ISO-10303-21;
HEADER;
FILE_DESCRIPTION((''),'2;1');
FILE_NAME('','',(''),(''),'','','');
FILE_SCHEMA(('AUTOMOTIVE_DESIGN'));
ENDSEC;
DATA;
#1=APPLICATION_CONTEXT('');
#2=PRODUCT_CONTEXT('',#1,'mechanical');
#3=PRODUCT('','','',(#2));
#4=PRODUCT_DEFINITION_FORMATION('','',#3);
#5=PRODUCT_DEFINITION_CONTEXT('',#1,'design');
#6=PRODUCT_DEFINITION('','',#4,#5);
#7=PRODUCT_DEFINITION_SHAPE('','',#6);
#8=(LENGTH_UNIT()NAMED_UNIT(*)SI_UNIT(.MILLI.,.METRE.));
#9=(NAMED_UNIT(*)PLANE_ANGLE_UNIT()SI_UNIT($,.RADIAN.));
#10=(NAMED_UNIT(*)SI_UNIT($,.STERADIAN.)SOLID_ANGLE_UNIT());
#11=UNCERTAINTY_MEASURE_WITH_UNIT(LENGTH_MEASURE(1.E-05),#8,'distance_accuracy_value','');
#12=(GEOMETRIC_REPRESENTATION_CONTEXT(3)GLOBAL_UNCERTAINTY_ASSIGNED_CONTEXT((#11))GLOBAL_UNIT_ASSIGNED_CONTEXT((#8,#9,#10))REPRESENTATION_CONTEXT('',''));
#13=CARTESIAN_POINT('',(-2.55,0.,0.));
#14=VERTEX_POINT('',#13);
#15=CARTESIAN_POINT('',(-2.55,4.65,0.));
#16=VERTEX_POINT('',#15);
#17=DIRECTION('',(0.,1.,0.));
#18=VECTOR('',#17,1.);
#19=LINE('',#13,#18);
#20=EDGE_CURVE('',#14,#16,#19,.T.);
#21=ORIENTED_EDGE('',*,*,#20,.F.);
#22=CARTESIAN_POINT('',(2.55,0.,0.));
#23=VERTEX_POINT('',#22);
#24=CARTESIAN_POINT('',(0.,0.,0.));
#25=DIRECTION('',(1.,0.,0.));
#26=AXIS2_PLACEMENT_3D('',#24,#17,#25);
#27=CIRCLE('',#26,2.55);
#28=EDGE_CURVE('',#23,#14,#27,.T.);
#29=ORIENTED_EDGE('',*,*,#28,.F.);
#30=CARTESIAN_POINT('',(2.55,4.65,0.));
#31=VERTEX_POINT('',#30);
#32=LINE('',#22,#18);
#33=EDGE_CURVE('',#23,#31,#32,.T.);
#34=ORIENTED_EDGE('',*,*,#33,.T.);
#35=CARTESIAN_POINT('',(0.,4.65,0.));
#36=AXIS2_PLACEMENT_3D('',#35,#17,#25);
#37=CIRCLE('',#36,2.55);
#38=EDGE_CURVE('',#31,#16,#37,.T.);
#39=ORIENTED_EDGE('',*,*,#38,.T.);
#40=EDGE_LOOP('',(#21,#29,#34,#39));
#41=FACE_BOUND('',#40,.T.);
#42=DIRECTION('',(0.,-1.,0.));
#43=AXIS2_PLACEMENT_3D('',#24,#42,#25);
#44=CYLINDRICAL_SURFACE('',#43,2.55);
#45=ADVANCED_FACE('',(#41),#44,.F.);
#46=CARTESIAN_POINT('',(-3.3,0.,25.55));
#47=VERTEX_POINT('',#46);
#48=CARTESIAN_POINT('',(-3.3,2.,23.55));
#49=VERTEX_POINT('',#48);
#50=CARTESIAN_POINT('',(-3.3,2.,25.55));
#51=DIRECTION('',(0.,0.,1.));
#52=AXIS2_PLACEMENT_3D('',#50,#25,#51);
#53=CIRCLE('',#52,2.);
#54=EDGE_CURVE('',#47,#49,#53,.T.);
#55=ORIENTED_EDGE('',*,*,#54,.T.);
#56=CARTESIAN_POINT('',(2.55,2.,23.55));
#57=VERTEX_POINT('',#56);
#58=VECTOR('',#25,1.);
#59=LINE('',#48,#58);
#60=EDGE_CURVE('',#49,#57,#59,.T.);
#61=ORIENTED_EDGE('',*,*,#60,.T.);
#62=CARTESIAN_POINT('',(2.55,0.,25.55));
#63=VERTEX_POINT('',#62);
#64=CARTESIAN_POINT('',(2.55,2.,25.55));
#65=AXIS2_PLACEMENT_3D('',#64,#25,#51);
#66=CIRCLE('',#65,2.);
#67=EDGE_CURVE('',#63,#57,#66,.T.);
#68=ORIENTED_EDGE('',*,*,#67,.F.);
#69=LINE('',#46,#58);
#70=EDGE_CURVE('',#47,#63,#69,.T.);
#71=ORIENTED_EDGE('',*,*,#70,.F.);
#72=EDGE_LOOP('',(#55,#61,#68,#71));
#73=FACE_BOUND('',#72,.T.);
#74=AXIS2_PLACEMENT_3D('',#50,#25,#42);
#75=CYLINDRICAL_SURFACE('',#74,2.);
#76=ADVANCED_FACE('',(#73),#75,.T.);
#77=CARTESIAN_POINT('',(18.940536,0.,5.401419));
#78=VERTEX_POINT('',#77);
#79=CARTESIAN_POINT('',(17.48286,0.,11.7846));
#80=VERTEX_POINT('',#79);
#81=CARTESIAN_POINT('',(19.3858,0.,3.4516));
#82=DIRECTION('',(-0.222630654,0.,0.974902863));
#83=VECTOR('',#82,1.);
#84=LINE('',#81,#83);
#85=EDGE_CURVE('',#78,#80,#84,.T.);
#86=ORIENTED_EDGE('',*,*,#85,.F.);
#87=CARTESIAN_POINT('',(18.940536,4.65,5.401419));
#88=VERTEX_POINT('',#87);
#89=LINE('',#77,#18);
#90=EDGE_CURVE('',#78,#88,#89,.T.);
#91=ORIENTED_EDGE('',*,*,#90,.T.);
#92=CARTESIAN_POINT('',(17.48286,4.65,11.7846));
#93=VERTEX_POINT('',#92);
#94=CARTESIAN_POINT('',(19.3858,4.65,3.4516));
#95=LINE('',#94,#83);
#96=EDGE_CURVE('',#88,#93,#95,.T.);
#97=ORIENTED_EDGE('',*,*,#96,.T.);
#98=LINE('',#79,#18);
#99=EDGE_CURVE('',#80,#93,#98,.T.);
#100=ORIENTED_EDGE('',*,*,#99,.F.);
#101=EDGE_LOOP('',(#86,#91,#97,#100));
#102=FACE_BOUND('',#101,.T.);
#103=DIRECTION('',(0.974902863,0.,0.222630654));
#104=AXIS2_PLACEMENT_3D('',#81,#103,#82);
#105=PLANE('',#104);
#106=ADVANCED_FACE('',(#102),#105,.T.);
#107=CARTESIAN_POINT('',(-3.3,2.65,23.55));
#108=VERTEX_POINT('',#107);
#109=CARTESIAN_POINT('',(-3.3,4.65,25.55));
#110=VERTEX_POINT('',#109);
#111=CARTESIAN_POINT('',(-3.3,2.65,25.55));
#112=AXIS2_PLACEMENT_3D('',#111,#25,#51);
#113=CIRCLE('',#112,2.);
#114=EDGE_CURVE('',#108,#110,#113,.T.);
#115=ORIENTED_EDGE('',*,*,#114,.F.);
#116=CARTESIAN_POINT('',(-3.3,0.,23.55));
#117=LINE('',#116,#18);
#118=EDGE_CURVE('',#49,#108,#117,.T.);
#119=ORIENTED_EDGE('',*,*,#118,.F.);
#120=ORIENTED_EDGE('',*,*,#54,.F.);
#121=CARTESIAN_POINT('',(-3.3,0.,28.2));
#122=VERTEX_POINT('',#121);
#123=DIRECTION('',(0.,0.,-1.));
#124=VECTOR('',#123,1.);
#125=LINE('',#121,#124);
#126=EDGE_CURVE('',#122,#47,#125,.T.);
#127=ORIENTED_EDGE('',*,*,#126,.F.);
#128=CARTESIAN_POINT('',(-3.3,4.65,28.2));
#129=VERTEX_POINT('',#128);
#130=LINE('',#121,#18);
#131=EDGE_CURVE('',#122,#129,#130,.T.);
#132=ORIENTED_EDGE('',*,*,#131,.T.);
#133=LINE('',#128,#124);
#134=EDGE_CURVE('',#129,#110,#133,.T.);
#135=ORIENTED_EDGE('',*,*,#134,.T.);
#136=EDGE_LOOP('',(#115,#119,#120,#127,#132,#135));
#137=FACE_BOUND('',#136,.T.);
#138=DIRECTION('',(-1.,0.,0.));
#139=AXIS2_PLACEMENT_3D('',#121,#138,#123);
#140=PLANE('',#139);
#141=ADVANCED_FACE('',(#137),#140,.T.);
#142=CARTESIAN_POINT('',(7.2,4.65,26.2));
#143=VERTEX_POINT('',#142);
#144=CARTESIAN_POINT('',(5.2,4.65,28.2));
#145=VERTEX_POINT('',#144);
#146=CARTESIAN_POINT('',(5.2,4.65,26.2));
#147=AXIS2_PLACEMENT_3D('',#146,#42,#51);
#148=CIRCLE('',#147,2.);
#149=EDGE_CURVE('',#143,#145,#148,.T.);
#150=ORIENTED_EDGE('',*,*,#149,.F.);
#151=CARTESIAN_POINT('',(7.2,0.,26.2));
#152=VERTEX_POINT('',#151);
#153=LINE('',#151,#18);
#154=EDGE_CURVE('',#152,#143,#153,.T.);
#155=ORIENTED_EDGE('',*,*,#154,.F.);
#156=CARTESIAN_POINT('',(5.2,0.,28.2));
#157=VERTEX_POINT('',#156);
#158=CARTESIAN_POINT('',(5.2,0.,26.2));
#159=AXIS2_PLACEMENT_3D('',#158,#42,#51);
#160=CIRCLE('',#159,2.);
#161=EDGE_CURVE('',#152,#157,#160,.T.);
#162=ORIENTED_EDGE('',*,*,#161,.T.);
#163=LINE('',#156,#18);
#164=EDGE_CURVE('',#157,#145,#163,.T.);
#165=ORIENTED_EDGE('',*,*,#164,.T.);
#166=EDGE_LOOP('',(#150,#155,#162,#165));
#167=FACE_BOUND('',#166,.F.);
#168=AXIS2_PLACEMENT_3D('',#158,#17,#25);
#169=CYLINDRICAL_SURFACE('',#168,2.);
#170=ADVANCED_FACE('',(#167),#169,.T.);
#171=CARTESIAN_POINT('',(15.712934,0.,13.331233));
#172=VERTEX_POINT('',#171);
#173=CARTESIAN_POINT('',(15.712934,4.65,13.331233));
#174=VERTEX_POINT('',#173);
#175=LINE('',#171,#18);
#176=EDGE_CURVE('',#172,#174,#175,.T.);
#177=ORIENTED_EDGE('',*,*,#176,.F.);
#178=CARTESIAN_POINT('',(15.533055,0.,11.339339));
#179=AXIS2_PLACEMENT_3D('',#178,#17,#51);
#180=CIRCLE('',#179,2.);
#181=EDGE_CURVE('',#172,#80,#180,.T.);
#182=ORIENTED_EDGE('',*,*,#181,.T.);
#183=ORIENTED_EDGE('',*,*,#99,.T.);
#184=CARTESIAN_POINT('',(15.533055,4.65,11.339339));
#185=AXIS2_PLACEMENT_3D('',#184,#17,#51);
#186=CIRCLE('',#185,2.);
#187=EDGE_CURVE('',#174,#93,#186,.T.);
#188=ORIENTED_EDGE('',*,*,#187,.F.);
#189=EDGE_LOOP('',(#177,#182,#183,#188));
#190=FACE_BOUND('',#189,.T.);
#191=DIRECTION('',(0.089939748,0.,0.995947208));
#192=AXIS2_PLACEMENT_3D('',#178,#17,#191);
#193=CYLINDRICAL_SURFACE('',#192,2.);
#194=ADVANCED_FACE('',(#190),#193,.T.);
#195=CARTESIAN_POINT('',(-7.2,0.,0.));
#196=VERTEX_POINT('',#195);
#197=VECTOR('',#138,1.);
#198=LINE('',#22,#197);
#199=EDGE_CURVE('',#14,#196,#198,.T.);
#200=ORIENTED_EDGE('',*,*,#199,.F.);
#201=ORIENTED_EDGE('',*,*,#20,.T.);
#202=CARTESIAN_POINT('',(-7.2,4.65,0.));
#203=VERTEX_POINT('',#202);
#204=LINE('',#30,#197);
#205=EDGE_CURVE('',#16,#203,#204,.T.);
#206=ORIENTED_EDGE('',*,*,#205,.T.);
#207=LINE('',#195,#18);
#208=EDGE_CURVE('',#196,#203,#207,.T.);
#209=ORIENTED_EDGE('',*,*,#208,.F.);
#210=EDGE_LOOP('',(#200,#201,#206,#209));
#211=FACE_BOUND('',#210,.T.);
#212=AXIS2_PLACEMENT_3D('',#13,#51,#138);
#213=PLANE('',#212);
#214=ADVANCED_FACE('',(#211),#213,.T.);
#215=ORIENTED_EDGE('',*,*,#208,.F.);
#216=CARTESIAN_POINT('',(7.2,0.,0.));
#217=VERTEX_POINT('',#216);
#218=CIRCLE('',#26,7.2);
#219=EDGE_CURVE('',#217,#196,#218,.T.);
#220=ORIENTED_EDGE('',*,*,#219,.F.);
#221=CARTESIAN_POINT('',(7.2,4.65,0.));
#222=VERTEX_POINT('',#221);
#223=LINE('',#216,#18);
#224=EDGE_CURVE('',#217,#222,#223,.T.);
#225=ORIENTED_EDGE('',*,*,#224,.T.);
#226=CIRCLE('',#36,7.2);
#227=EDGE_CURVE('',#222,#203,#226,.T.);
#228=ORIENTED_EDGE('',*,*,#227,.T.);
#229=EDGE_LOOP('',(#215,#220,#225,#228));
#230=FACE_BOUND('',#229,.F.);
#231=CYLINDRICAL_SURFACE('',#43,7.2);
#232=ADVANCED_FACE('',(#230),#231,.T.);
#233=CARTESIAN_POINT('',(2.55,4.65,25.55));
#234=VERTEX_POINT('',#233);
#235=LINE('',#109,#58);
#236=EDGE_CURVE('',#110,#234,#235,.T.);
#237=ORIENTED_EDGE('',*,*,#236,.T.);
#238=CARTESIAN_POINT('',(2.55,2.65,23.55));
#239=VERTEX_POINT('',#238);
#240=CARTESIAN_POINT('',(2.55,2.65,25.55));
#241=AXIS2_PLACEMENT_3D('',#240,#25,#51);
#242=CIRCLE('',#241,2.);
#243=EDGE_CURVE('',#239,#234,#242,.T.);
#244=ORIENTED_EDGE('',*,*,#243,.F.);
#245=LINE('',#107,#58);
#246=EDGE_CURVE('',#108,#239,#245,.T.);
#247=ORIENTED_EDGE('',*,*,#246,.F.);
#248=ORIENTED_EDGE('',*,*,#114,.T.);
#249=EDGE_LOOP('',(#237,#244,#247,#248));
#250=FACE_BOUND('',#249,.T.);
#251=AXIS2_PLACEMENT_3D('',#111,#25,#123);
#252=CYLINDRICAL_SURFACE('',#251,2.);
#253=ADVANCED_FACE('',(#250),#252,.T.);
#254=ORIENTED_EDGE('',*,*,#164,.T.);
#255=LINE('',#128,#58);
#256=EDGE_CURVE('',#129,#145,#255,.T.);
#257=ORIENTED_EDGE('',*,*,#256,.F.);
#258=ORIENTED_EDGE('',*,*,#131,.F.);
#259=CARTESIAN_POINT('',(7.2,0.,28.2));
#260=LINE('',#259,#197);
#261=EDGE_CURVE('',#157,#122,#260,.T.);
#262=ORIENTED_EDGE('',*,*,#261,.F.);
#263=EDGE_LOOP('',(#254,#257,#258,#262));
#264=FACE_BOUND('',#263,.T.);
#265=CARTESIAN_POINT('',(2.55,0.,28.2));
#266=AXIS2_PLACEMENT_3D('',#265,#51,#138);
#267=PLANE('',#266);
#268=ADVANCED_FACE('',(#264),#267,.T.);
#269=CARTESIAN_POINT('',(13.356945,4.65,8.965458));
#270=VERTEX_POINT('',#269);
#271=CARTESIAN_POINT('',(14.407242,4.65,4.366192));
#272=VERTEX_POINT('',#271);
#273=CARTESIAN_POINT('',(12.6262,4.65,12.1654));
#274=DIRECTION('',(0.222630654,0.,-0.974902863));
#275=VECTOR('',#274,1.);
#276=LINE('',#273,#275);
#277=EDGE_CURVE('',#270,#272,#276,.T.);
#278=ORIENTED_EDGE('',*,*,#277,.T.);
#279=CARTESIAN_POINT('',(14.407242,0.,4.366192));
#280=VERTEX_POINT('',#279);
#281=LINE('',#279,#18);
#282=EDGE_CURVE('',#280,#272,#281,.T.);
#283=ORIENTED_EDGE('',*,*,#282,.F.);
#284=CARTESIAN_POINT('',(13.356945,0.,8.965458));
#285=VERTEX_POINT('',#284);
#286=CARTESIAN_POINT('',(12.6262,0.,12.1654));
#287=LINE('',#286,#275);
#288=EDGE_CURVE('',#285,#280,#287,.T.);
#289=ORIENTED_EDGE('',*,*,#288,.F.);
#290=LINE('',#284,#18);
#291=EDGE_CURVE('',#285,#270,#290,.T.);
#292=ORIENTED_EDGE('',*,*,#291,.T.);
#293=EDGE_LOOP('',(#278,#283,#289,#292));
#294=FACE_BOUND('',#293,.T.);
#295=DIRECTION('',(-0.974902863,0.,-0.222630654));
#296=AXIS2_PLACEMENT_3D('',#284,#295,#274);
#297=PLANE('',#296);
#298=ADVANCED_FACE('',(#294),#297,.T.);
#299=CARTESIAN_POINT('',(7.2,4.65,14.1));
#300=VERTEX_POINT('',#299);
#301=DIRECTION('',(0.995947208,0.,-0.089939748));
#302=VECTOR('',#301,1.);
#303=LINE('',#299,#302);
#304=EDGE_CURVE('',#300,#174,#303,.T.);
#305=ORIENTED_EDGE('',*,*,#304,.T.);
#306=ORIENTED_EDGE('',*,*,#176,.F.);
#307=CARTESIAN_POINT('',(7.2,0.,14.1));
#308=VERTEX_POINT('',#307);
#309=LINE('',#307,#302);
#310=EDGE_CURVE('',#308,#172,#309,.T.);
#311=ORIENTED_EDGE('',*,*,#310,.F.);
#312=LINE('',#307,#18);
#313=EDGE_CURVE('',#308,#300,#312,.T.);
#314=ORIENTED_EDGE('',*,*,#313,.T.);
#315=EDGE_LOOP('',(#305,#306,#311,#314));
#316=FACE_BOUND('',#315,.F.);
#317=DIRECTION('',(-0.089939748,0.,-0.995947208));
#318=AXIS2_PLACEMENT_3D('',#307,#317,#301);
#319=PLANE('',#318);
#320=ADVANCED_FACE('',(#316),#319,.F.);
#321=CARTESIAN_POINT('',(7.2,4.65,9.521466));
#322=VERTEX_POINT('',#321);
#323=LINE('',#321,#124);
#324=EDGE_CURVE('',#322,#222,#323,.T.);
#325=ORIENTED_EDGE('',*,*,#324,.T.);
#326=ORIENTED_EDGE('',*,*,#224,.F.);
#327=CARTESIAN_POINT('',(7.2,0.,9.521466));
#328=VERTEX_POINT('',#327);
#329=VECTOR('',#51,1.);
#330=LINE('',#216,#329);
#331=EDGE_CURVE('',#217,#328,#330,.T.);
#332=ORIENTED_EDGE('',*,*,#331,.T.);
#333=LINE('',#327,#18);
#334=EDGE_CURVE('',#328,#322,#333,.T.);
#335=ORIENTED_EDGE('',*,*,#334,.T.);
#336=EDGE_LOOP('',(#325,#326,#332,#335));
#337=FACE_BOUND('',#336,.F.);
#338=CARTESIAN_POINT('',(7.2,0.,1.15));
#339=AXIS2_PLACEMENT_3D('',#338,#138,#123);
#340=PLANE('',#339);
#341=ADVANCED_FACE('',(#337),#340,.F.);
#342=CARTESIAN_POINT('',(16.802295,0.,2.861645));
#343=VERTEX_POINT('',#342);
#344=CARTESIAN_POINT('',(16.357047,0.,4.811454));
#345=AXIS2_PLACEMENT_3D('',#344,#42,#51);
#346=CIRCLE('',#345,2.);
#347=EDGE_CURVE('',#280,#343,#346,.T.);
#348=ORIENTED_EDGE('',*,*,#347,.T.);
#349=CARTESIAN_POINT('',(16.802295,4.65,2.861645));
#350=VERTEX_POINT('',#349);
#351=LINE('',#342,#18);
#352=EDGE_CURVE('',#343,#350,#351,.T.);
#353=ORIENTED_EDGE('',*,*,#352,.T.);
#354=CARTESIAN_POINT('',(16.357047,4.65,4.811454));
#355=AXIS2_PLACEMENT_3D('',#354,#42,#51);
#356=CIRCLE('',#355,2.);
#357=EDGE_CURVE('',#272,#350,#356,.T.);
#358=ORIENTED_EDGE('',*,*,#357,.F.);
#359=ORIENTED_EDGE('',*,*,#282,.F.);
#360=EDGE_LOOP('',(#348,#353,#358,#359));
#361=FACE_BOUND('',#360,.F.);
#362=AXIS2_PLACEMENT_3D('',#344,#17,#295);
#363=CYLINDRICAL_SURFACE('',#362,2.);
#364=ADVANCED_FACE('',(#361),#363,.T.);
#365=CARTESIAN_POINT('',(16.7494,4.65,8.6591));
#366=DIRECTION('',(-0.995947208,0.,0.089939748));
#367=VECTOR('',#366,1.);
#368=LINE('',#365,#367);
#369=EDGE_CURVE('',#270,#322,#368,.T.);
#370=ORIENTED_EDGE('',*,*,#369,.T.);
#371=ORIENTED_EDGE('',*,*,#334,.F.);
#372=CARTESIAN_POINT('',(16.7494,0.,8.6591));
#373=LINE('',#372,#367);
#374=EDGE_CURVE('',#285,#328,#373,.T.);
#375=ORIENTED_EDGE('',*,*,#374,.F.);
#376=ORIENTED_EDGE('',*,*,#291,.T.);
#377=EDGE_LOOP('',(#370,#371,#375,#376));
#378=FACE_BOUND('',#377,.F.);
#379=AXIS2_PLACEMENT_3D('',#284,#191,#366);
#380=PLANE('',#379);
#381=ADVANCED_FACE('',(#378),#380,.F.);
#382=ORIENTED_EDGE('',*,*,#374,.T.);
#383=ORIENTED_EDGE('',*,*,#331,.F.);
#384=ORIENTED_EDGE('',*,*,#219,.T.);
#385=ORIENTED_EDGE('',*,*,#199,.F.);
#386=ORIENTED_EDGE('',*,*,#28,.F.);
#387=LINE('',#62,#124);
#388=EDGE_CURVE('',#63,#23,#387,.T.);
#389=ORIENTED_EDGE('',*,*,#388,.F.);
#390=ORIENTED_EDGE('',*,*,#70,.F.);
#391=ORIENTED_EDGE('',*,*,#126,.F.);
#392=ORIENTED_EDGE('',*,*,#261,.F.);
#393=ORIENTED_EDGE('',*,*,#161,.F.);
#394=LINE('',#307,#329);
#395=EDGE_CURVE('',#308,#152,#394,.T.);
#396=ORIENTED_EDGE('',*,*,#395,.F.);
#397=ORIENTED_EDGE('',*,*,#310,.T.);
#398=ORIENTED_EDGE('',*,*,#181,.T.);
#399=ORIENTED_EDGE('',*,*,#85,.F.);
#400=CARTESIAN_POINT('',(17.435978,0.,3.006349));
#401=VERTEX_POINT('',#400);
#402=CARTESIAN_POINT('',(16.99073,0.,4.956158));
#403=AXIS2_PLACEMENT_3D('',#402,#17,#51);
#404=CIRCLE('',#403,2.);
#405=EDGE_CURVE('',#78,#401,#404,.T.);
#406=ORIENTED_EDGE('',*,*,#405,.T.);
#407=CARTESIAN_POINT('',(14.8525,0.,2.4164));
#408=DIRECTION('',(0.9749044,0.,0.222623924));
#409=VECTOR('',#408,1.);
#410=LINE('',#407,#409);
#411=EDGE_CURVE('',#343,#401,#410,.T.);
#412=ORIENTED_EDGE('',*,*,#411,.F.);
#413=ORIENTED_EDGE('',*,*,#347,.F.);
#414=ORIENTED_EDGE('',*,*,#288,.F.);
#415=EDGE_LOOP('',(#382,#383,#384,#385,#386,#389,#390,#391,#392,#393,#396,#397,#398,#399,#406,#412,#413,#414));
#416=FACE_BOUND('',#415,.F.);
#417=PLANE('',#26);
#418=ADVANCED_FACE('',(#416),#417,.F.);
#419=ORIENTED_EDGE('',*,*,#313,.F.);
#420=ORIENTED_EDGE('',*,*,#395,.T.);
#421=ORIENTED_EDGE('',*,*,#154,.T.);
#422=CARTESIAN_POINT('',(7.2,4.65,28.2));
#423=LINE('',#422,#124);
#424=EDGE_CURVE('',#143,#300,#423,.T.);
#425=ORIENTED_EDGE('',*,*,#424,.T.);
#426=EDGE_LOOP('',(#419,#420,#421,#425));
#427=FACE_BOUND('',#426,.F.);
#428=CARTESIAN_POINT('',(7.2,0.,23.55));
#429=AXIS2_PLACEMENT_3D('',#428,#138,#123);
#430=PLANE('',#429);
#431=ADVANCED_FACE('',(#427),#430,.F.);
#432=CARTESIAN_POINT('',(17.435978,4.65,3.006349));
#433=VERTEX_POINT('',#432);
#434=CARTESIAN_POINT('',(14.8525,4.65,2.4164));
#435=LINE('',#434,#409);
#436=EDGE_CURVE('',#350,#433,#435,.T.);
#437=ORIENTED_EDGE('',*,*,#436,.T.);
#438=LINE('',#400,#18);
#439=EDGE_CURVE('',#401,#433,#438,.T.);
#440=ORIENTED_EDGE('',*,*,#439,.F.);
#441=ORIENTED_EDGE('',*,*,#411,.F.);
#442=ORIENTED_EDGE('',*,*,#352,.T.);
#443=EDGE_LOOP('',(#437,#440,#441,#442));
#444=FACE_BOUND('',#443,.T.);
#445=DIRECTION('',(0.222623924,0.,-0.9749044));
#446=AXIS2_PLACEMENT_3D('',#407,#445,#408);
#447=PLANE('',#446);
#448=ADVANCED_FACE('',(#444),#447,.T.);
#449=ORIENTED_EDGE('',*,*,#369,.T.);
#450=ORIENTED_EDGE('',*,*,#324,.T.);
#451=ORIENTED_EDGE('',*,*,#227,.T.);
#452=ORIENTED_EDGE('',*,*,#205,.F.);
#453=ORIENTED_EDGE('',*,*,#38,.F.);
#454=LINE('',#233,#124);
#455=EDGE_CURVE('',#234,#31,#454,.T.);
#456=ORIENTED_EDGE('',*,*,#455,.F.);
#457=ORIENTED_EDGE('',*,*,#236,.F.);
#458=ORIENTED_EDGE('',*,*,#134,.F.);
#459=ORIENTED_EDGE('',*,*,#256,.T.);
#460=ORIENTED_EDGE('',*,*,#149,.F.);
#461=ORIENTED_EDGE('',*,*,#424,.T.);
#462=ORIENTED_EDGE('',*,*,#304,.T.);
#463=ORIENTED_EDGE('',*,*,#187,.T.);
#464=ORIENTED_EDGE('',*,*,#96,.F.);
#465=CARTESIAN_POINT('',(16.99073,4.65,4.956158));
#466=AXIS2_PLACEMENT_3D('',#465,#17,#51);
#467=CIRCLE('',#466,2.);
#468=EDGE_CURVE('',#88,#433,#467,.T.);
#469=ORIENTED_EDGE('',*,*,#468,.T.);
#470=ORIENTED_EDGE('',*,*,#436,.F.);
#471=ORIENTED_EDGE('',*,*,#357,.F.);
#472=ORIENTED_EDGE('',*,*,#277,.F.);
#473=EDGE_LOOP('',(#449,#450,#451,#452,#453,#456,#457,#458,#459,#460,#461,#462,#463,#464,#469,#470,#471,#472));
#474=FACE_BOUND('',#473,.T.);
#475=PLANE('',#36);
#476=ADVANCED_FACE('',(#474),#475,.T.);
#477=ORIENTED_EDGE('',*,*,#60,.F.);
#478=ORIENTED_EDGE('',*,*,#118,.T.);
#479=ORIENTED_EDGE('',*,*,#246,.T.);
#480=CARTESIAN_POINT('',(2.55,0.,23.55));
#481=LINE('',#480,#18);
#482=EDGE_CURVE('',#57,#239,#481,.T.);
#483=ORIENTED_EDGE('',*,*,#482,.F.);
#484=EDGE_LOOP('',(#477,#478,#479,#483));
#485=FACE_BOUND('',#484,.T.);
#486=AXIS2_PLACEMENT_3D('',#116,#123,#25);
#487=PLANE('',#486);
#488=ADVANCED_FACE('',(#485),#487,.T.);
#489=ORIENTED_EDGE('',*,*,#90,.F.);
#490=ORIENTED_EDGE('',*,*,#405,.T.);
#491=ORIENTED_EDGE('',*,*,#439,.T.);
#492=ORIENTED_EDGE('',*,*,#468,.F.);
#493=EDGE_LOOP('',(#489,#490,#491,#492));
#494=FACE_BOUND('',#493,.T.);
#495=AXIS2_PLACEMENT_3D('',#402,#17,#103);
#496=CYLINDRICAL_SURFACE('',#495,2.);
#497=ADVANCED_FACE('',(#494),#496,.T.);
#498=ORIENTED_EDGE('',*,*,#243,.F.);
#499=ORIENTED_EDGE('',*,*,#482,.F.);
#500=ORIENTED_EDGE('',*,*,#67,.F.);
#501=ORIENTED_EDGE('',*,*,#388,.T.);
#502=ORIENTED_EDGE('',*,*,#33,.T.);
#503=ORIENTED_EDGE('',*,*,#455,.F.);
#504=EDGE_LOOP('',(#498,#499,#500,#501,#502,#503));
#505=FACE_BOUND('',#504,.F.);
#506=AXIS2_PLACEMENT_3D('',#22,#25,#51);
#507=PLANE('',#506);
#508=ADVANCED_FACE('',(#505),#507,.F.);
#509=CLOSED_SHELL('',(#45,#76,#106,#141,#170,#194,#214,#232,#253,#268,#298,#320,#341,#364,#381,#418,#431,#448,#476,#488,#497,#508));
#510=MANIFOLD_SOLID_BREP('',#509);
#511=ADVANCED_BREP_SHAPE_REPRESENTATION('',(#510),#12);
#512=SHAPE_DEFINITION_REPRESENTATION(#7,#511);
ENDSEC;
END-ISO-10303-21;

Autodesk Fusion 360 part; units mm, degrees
sketch "Sketch1" plane through (0, 0, 0) normal (0, 1, 0) x (1, 0, 0)
  circle A0 centre (0, 0) radius 7.2
  circle A1 centre (0, 0) radius 2.55
  line L0 (7.2, 0) -> (2.55, 0)
  line L1 (2.55, 0) -> (2.55, -28.2)
  line L2 (2.55, -28.2) -> (7.2, -28.2)
  line L3 (7.2, -28.2) -> (7.2, 0)
  line L4 (7.2, -28.2) -> (-3.3, -28.2)
  line L5 (-3.3, -28.2) -> (-3.3, -23.55)
  line L6 (-3.3, -23.55) -> (7.2, -23.55)
  line L7 (7.2, -23.55) -> (7.2, -28.2)
  line L8 (2.55, 0) -> (-7.2, 0)
  line L9 (7.2, -4.2775) -> (7.2, -1.15)
  line L10 (7.2, -14.1) -> (17.1595, -13.2006)
  line L11 (17.1595, -13.2006) -> (16.7494, -8.6591)
  line L12 (16.7494, -8.6591) -> (6.7899, -9.5585)
  line L13 (6.7899, -9.5585) -> (7.2, -14.1)
  line L14 (17.1595, -13.2006) -> (12.6262, -12.1654)
  line L15 (12.6262, -12.1654) -> (14.8525, -2.4164)
  line L16 (14.8525, -2.4164) -> (19.3858, -3.4516)
  line L17 (19.3858, -3.4516) -> (17.1595, -13.2006)
  dimension "d1" = 14.4
  dimension "d2" = 5.1
  dimension "d3" = 4.65
  dimension "d4" = 28.2
  dimension "d5" = 10.5
  dimension "d6" = 4.65
  dimension "d16" = 10
  dimension "d17" = 4.56
  dimension "d18" = 4.65
  dimension "d19" = 10
extrude "Extrude1" add sketch "Sketch1" along normal blind 4.65 contours A0 A1 L0 L8 | A0 L1 L3 L6 L9 L12 L13 | A0 L0 L1 | L1 L2 L3 L4 L6 L7 | L1 L4 L5 L6 | L3 L10 L12 L14 L15 | L3 L12 L13 | L11 L12 L15 L16 L17 | L11 L12 L14 L15
fillet "Fillet1" radius 2 3 edges at (14.8525, 2.325, 2.4164) (19.3858, 2.325, 3.4516) (17.1595, 2.325, 13.2006)
fillet "Fillet2" radius 2 1 edges at (7.2, 2.325, 28.2)
fillet "Fillet3" radius 2 2 edges at (-0.375, 4.65, 23.55) (-0.375, 0, 23.55)
